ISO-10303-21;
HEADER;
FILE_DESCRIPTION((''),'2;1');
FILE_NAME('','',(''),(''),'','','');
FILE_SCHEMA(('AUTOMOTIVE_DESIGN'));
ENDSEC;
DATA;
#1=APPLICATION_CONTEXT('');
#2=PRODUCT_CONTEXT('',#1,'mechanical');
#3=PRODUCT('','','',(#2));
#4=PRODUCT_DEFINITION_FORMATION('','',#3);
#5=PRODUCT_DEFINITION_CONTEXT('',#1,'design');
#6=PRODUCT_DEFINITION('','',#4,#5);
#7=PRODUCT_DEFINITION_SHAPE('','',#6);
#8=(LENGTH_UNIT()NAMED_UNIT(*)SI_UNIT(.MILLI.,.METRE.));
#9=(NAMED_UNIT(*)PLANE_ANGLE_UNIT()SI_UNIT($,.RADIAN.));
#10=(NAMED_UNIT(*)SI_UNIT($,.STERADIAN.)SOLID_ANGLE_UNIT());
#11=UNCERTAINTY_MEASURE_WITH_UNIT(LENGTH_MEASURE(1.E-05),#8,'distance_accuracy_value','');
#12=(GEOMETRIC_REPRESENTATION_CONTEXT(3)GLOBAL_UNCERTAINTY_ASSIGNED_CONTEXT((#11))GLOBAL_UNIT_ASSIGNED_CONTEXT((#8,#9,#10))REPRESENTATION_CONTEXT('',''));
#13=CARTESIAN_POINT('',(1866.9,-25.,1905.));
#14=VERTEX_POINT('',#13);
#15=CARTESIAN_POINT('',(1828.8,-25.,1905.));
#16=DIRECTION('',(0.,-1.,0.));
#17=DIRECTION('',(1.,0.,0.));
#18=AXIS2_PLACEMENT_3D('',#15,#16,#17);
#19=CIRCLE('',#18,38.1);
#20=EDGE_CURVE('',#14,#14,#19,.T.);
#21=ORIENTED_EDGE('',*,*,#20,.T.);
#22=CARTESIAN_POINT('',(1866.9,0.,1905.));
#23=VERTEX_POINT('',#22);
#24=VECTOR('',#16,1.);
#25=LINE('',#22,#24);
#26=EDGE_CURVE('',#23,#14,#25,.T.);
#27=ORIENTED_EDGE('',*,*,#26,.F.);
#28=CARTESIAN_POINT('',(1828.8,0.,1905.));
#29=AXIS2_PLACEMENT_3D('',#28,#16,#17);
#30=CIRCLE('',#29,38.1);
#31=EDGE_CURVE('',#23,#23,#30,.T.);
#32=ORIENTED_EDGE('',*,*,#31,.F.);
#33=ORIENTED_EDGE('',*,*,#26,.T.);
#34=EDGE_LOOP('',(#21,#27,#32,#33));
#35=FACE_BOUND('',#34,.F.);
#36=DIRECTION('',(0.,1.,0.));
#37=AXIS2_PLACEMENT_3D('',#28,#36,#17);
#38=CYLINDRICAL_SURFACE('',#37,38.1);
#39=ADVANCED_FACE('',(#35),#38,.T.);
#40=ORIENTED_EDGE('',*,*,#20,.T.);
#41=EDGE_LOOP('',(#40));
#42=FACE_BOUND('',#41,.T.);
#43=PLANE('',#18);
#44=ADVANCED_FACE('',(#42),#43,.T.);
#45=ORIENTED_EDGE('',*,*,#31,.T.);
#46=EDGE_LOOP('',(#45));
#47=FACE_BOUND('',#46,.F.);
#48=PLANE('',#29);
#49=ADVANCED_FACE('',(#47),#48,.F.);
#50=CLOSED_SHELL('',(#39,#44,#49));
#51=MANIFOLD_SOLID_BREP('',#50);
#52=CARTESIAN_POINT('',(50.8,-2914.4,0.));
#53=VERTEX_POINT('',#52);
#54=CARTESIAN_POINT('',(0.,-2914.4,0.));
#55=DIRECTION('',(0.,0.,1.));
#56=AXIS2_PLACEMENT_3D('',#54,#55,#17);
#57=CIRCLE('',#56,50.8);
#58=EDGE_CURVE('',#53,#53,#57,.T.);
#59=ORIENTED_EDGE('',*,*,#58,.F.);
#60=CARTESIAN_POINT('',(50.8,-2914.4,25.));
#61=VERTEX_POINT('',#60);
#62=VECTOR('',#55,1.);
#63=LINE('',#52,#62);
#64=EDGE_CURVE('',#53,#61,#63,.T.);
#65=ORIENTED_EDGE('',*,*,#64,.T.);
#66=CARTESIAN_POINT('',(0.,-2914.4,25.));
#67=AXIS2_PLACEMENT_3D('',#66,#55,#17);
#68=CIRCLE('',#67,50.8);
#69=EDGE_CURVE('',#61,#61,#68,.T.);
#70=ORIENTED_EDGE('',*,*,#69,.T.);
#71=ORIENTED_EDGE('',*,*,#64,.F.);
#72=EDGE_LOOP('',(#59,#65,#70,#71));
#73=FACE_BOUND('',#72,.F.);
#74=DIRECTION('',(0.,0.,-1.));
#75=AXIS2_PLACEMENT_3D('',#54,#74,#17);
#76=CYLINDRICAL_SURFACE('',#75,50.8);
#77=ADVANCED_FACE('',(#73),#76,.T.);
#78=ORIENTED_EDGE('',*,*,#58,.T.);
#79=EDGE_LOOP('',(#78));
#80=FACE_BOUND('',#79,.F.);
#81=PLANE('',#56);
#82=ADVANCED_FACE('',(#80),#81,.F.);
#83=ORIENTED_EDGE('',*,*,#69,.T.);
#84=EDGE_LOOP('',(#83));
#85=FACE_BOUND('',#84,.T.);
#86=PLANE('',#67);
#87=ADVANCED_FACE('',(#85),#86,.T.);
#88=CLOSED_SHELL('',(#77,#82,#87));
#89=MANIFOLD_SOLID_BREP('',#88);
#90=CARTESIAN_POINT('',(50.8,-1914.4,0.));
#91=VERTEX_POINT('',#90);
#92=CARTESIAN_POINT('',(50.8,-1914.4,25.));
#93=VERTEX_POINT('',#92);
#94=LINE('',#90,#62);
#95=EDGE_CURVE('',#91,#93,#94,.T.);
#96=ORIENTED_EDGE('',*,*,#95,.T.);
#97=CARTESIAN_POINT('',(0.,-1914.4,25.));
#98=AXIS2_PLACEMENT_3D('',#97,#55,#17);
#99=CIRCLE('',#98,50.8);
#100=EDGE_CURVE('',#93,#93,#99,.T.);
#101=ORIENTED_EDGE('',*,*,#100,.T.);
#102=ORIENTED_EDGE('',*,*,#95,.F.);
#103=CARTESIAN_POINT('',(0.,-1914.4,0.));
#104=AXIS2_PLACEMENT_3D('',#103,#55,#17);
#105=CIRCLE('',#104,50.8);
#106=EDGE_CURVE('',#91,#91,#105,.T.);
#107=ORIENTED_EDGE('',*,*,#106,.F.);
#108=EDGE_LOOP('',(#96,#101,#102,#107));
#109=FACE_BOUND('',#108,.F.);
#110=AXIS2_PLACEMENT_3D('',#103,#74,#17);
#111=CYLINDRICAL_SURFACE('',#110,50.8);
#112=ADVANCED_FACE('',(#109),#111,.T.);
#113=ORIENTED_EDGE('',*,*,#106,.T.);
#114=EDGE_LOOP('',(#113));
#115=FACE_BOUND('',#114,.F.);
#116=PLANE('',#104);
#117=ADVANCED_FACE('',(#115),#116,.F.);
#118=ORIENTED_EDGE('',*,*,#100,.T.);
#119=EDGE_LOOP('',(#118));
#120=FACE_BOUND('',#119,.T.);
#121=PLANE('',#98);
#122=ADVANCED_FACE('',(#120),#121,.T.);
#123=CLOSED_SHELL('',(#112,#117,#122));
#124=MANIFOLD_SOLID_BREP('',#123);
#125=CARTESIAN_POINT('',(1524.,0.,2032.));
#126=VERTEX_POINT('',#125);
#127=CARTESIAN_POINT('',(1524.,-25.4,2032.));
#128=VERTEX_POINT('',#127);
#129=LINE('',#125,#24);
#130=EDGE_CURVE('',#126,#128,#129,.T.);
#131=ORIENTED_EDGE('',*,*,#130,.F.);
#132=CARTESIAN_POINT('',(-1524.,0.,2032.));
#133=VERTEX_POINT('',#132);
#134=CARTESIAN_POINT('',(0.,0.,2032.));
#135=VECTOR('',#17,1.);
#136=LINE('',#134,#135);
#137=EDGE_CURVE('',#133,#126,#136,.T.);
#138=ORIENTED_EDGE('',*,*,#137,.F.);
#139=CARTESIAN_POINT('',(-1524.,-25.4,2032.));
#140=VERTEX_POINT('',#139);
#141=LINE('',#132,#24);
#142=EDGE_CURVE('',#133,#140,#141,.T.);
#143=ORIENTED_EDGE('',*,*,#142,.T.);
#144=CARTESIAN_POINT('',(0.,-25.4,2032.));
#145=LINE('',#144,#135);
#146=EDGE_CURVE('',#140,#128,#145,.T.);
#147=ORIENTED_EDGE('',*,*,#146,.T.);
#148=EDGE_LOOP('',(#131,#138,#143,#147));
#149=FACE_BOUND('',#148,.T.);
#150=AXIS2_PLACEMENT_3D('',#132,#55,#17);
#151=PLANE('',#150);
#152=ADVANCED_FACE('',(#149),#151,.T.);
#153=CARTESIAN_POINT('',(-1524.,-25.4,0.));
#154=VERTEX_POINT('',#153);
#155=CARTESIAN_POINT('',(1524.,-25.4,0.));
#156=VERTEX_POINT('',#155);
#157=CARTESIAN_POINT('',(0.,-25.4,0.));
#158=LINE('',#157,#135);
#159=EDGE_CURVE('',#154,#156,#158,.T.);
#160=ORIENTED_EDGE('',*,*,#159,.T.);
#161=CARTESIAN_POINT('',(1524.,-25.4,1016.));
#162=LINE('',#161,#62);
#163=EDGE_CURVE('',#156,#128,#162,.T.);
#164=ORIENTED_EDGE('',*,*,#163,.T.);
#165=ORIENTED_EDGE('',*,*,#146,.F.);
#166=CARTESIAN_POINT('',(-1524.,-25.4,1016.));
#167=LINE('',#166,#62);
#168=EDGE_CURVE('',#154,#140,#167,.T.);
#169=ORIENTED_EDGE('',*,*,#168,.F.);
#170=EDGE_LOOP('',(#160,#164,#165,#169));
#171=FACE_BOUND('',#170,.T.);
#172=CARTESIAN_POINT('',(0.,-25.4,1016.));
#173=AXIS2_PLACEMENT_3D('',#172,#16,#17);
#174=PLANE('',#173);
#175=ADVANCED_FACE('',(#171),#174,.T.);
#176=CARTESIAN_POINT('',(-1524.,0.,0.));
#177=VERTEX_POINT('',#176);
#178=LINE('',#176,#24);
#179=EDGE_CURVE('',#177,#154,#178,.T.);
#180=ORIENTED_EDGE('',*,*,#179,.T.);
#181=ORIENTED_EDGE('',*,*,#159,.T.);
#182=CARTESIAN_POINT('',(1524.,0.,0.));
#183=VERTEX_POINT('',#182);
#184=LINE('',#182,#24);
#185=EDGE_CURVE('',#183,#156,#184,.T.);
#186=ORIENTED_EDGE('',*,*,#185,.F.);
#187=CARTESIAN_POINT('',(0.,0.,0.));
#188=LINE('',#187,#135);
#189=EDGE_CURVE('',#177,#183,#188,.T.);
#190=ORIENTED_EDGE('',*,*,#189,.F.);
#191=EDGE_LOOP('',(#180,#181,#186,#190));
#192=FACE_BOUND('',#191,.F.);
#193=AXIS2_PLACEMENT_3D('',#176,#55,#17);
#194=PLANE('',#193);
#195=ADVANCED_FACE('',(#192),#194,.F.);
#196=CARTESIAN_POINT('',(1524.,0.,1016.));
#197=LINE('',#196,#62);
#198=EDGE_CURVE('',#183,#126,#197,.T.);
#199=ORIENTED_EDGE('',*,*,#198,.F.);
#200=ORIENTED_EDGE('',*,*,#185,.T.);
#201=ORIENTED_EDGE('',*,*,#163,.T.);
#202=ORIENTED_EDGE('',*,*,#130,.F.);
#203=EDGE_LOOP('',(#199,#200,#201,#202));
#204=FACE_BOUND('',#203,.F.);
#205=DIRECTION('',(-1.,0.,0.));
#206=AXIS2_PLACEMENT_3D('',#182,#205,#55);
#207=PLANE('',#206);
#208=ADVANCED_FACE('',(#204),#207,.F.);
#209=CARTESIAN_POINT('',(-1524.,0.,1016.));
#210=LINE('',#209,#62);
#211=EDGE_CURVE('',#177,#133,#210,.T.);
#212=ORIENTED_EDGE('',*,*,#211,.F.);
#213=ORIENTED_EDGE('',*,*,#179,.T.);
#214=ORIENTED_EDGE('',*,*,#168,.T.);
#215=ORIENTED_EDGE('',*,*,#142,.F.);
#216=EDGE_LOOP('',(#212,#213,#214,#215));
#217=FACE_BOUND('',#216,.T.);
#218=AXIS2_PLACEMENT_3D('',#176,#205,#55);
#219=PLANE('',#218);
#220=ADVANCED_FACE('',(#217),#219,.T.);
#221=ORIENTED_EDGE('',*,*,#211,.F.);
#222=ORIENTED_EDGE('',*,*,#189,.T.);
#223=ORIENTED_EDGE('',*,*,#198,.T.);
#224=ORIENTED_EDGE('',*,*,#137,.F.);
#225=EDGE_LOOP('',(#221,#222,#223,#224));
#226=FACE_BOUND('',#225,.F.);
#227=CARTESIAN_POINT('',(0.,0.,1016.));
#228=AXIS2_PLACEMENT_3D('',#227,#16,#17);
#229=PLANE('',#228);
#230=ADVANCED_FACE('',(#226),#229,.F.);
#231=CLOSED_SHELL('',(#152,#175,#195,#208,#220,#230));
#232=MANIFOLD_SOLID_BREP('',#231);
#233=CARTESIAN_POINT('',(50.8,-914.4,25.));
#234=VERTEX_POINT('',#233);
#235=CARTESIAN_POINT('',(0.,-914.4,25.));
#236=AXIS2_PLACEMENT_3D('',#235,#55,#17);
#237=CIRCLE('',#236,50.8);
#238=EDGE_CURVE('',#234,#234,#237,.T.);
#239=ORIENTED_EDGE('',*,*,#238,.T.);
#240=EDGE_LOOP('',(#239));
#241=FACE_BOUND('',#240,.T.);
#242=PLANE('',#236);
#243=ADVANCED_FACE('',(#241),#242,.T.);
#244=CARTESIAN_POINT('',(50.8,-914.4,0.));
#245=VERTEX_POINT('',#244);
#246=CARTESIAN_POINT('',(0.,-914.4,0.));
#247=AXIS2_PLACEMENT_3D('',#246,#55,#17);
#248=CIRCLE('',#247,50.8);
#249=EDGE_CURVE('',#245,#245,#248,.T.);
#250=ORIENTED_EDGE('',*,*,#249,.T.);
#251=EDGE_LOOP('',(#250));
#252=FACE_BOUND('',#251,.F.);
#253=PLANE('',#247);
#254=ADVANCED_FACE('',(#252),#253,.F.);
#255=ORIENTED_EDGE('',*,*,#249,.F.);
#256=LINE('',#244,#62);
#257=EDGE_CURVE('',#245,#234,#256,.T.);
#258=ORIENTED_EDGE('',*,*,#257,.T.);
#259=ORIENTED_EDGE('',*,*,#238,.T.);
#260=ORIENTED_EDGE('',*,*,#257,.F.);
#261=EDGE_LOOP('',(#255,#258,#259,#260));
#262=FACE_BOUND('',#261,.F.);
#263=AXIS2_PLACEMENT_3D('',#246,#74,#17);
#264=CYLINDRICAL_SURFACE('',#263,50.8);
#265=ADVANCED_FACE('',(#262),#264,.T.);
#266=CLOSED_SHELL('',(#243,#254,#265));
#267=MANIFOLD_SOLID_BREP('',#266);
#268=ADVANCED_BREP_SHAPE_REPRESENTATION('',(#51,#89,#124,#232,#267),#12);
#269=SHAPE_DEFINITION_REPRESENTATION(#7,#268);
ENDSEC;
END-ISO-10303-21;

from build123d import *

# Parameters (mm, degrees)
F0_W     = 3048
F0_H     = 2032
F1_DEPTH = 25.4
F2_R     = 38.1
F3_DEPTH = 25
F4_R     = 50.8
F5_DEPTH = 25


with BuildPart() as f1:
    # F0 (on Front) → F1 (new body)
    with BuildSketch(Plane.XZ):
        with Locations((0, 1016)):
            Rectangle(F0_W, F0_H)
    extrude(amount=F1_DEPTH)


with BuildPart() as f3:
    # F2 (on Front) → F3 (new body)
    with BuildSketch(Plane.XZ):
        with Locations((1828.8, 1905)):
            Circle(F2_R)
    extrude(amount=F3_DEPTH)


with BuildPart() as f5:
    # F4 (on Top) → F5 (new body)
    with BuildSketch(Plane.XY):
        with Locations((0, -2914.4)):
            Circle(F4_R)
        with Locations((0, -1914.4)):
            Circle(F4_R)
        with Locations((0, -914.4)):
            Circle(F4_R)
    extrude(amount=F5_DEPTH)


solid = Compound([f1.part, f3.part, f5.part])
